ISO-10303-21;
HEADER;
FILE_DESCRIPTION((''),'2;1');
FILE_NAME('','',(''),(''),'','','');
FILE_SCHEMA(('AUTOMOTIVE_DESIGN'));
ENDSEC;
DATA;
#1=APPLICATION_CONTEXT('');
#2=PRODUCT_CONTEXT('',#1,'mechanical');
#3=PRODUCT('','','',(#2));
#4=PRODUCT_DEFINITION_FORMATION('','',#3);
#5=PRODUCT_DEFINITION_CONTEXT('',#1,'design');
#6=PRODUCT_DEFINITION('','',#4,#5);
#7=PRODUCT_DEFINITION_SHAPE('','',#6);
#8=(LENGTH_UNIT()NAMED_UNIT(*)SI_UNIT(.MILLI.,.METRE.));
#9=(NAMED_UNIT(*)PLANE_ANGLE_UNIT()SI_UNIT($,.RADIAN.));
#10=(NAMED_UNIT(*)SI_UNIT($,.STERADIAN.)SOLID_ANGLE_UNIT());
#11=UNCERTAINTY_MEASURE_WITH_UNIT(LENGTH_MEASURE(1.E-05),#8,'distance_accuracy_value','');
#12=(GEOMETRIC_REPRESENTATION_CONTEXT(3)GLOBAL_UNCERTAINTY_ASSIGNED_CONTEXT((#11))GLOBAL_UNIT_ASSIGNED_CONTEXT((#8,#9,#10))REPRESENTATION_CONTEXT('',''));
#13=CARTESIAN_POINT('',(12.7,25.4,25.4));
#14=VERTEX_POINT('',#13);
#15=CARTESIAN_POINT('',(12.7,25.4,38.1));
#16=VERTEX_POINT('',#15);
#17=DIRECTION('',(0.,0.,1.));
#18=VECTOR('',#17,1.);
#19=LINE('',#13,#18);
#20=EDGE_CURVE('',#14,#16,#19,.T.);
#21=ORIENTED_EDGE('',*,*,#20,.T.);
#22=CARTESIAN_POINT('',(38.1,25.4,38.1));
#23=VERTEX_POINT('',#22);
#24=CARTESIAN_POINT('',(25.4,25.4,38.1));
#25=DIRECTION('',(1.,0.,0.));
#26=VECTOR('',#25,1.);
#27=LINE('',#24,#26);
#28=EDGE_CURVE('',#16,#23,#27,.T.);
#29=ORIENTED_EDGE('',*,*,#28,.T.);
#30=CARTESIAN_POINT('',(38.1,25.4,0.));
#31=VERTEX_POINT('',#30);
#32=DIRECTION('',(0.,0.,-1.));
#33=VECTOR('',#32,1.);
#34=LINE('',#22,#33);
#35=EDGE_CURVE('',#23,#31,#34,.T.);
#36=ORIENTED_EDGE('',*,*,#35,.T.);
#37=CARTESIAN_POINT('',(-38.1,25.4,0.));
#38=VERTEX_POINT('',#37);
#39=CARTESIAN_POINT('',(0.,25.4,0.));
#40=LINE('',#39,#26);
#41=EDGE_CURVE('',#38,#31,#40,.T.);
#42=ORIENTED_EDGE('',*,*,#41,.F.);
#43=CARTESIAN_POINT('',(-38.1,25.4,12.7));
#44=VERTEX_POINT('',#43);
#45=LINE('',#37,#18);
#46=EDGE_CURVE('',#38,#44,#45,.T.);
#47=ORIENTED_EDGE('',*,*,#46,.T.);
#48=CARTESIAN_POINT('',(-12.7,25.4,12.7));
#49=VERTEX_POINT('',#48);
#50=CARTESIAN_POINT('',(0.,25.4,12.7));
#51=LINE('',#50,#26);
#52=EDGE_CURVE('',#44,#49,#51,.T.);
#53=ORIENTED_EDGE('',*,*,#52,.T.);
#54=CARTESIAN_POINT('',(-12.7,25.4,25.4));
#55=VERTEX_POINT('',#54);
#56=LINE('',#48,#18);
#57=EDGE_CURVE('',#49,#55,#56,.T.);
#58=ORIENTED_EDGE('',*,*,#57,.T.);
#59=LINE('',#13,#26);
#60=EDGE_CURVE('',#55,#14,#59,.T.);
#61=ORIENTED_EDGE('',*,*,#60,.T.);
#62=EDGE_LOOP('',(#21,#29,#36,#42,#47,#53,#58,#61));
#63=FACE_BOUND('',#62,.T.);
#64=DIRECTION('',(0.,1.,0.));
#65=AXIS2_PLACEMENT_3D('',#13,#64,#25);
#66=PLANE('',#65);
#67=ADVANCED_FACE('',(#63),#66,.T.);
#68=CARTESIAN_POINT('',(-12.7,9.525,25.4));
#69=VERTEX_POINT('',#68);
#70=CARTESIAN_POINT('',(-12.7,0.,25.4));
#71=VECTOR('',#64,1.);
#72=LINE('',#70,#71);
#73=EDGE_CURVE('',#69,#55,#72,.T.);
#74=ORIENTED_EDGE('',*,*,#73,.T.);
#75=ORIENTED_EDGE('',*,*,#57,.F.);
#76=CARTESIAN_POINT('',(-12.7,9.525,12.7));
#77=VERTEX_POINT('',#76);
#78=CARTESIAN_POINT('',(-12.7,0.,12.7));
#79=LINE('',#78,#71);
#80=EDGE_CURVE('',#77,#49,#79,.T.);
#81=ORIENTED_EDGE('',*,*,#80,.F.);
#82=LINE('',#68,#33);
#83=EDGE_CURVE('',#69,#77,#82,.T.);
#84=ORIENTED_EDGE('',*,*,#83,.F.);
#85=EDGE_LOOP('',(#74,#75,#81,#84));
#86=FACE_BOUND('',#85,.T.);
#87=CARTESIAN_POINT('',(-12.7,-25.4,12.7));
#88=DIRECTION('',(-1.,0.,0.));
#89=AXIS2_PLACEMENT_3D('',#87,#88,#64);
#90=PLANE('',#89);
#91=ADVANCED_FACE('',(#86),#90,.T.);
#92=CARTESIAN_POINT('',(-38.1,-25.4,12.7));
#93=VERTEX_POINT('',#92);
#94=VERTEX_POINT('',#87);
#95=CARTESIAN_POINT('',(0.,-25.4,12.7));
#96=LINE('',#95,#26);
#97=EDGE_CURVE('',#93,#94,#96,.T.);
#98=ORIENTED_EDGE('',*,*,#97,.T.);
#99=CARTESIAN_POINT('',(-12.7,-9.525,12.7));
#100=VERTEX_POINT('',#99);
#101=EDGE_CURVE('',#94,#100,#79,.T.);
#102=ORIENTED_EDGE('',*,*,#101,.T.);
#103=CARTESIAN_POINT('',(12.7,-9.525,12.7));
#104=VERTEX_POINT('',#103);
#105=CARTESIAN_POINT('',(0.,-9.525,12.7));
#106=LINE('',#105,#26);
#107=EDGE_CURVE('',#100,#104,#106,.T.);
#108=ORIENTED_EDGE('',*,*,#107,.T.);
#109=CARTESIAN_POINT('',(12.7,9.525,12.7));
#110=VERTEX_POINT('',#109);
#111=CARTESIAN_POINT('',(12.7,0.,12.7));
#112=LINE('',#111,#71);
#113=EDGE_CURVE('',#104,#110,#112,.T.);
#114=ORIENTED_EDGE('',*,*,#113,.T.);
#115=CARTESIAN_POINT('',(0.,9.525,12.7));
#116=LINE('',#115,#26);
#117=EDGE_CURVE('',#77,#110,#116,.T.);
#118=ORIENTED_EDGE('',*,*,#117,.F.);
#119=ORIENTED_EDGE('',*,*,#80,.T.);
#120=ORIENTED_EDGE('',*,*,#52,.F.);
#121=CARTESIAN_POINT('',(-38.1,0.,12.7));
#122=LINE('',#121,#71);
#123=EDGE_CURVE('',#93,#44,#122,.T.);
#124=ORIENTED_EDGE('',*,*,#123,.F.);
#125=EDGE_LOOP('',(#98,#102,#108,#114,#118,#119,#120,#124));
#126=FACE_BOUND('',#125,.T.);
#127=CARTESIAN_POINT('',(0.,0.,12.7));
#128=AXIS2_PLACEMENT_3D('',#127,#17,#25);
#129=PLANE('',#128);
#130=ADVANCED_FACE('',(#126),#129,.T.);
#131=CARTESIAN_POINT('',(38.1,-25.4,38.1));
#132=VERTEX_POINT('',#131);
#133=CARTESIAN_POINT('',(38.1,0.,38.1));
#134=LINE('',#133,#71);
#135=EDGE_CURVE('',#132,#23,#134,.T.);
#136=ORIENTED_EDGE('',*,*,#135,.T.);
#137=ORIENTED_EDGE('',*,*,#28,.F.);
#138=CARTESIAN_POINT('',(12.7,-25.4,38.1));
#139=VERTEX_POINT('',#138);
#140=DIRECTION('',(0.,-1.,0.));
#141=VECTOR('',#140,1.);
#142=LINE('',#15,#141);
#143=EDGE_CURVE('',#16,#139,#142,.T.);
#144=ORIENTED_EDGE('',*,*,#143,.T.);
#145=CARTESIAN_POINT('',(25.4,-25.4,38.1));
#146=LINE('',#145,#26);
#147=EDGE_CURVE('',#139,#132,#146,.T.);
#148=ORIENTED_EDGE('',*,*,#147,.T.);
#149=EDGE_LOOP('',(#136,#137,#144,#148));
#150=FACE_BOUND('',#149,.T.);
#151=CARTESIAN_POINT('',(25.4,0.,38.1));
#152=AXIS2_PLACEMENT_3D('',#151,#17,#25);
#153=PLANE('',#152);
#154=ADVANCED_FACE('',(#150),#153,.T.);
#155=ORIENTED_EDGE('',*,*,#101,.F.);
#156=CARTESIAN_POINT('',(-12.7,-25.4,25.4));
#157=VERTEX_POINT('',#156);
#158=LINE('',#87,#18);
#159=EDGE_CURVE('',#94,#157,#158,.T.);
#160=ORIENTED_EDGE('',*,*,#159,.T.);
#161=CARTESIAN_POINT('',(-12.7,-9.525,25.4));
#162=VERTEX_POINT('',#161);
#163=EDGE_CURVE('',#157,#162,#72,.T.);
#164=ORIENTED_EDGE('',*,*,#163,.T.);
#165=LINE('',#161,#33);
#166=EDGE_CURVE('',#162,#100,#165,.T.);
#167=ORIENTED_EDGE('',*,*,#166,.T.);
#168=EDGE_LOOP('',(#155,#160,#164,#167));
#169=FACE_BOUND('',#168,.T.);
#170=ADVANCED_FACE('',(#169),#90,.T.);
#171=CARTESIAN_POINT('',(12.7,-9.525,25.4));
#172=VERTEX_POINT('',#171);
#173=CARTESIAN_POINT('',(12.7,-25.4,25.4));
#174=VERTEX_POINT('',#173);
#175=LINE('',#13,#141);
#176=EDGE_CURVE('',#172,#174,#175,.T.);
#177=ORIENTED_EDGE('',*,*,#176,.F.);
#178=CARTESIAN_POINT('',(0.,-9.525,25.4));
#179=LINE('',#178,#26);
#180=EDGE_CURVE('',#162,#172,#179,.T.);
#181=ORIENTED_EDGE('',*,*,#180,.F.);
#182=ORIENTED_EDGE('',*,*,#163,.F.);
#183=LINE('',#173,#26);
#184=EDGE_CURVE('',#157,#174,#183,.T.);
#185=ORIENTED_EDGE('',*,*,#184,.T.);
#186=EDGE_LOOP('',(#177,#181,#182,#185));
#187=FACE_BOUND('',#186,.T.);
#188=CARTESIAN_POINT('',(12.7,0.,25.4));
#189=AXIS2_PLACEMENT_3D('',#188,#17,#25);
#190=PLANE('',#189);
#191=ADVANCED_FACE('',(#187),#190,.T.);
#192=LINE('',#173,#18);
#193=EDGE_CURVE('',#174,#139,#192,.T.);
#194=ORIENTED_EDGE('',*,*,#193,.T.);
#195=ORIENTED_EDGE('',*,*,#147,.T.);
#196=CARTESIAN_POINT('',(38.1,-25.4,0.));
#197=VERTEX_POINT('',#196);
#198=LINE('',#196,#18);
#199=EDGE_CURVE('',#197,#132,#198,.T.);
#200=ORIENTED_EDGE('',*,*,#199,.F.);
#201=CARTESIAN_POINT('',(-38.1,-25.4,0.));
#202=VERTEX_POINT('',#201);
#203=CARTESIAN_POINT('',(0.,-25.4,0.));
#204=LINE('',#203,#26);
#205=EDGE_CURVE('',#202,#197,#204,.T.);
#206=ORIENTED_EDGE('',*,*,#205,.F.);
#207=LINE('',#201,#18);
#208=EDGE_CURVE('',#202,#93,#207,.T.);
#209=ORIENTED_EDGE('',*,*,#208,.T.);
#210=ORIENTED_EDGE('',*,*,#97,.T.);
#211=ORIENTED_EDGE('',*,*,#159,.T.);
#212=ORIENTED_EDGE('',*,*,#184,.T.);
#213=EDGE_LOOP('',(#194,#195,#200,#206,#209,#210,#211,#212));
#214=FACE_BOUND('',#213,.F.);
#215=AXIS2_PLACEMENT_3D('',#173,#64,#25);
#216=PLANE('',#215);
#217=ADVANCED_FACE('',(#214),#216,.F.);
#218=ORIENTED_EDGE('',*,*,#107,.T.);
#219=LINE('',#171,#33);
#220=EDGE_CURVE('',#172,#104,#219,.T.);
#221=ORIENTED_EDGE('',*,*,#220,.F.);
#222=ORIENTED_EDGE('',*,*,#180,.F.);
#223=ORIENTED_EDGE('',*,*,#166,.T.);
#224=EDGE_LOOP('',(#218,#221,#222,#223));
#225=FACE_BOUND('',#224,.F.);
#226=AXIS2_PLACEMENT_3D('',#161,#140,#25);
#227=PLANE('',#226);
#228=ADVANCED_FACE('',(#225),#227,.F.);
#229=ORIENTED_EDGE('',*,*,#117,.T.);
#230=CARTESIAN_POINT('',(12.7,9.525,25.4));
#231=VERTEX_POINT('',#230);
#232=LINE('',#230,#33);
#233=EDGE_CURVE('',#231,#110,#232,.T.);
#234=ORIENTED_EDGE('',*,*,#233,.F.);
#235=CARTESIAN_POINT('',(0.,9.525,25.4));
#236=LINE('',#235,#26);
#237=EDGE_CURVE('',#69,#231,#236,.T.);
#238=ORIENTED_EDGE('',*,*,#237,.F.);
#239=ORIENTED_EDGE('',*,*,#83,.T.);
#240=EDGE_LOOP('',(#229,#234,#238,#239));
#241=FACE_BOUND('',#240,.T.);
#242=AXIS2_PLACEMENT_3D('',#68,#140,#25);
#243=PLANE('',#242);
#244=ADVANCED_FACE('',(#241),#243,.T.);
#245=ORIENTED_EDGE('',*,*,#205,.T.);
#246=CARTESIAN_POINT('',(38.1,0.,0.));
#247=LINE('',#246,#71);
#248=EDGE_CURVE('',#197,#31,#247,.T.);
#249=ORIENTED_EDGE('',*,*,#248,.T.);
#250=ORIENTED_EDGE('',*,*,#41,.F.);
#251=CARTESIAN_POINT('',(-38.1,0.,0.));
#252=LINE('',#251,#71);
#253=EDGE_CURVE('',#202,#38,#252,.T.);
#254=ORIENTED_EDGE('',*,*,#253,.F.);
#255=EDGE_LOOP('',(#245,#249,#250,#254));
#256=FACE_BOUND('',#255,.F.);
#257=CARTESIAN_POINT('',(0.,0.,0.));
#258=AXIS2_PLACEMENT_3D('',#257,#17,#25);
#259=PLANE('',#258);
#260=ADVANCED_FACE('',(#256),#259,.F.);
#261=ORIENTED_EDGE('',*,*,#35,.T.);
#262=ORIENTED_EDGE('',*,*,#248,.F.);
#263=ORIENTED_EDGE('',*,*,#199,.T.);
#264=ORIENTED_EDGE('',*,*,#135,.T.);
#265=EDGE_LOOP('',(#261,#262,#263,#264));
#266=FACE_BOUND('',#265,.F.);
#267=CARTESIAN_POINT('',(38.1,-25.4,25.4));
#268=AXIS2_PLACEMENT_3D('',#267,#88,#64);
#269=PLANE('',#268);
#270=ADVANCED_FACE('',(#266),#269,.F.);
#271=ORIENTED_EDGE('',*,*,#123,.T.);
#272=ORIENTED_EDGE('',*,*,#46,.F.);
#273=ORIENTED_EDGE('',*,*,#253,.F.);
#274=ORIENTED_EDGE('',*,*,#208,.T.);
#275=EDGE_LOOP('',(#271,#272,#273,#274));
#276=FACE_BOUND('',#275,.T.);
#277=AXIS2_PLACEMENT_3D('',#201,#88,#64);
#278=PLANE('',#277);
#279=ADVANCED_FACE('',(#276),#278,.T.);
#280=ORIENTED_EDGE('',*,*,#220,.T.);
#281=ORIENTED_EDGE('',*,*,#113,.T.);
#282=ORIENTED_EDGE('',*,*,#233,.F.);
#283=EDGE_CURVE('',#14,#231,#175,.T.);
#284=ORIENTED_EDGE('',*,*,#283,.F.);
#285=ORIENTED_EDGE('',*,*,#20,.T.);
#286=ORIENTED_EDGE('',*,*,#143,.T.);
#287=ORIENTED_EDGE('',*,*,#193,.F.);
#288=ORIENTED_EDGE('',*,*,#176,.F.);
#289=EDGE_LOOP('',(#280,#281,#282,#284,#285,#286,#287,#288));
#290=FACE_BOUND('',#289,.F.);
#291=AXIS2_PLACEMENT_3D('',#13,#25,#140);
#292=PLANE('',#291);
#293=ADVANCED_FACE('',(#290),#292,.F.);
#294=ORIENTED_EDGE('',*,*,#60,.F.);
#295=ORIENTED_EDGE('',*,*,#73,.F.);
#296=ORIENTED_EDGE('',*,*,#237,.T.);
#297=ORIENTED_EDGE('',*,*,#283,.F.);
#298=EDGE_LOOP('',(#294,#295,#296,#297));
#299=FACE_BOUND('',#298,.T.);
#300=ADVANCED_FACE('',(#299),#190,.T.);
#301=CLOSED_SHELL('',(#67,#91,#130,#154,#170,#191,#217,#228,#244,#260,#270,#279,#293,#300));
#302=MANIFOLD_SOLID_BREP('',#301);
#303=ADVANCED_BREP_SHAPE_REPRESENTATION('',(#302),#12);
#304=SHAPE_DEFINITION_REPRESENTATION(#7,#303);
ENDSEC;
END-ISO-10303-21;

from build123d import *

# Parameters (mm, degrees)
F0_W     = 76.2
F0_H     = 50.8
F1_DEPTH = 12.7
F2_W     = 50.8
F2_H     = 50.8
F3_DEPTH = 12.7
F4_W     = 25.4
F4_H     = 19.05
F5_DEPTH = 12.7
F6_W     = 25.4
F6_H     = 50.8
F7_DEPTH = 12.7


with BuildPart() as f1:
    # F0 (on Top) → F1 (new body)
    with BuildSketch(Plane.XY):
        Rectangle(F0_W, F0_H)
    extrude(amount=F1_DEPTH)

    # F2 (on face) → F3 (join)
    with BuildSketch(Plane.XY.offset(12.7)):
        with Locations((12.7, 0)):
            Rectangle(F2_W, F2_H)
    extrude(amount=F3_DEPTH)

    # F4 (on face) → F5 (cut)
    with BuildSketch(Plane.XY.offset(25.4)):
        Rectangle(F4_W, F4_H)
    extrude(amount=-F5_DEPTH, mode=Mode.SUBTRACT)

    # F6 (on face) → F7 (join)
    with BuildSketch(Plane.XY.offset(25.4)):
        with Locations((25.4, 0)):
            Rectangle(F6_W, F6_H)
        Polygon((38.1, -25.4), (38.1, 25.4), (12.7, 25.4), (12.7, 9.525), (12.7, -9.525), (12.7, -25.4), align=None)
    extrude(amount=F7_DEPTH)


solid = f1.part
